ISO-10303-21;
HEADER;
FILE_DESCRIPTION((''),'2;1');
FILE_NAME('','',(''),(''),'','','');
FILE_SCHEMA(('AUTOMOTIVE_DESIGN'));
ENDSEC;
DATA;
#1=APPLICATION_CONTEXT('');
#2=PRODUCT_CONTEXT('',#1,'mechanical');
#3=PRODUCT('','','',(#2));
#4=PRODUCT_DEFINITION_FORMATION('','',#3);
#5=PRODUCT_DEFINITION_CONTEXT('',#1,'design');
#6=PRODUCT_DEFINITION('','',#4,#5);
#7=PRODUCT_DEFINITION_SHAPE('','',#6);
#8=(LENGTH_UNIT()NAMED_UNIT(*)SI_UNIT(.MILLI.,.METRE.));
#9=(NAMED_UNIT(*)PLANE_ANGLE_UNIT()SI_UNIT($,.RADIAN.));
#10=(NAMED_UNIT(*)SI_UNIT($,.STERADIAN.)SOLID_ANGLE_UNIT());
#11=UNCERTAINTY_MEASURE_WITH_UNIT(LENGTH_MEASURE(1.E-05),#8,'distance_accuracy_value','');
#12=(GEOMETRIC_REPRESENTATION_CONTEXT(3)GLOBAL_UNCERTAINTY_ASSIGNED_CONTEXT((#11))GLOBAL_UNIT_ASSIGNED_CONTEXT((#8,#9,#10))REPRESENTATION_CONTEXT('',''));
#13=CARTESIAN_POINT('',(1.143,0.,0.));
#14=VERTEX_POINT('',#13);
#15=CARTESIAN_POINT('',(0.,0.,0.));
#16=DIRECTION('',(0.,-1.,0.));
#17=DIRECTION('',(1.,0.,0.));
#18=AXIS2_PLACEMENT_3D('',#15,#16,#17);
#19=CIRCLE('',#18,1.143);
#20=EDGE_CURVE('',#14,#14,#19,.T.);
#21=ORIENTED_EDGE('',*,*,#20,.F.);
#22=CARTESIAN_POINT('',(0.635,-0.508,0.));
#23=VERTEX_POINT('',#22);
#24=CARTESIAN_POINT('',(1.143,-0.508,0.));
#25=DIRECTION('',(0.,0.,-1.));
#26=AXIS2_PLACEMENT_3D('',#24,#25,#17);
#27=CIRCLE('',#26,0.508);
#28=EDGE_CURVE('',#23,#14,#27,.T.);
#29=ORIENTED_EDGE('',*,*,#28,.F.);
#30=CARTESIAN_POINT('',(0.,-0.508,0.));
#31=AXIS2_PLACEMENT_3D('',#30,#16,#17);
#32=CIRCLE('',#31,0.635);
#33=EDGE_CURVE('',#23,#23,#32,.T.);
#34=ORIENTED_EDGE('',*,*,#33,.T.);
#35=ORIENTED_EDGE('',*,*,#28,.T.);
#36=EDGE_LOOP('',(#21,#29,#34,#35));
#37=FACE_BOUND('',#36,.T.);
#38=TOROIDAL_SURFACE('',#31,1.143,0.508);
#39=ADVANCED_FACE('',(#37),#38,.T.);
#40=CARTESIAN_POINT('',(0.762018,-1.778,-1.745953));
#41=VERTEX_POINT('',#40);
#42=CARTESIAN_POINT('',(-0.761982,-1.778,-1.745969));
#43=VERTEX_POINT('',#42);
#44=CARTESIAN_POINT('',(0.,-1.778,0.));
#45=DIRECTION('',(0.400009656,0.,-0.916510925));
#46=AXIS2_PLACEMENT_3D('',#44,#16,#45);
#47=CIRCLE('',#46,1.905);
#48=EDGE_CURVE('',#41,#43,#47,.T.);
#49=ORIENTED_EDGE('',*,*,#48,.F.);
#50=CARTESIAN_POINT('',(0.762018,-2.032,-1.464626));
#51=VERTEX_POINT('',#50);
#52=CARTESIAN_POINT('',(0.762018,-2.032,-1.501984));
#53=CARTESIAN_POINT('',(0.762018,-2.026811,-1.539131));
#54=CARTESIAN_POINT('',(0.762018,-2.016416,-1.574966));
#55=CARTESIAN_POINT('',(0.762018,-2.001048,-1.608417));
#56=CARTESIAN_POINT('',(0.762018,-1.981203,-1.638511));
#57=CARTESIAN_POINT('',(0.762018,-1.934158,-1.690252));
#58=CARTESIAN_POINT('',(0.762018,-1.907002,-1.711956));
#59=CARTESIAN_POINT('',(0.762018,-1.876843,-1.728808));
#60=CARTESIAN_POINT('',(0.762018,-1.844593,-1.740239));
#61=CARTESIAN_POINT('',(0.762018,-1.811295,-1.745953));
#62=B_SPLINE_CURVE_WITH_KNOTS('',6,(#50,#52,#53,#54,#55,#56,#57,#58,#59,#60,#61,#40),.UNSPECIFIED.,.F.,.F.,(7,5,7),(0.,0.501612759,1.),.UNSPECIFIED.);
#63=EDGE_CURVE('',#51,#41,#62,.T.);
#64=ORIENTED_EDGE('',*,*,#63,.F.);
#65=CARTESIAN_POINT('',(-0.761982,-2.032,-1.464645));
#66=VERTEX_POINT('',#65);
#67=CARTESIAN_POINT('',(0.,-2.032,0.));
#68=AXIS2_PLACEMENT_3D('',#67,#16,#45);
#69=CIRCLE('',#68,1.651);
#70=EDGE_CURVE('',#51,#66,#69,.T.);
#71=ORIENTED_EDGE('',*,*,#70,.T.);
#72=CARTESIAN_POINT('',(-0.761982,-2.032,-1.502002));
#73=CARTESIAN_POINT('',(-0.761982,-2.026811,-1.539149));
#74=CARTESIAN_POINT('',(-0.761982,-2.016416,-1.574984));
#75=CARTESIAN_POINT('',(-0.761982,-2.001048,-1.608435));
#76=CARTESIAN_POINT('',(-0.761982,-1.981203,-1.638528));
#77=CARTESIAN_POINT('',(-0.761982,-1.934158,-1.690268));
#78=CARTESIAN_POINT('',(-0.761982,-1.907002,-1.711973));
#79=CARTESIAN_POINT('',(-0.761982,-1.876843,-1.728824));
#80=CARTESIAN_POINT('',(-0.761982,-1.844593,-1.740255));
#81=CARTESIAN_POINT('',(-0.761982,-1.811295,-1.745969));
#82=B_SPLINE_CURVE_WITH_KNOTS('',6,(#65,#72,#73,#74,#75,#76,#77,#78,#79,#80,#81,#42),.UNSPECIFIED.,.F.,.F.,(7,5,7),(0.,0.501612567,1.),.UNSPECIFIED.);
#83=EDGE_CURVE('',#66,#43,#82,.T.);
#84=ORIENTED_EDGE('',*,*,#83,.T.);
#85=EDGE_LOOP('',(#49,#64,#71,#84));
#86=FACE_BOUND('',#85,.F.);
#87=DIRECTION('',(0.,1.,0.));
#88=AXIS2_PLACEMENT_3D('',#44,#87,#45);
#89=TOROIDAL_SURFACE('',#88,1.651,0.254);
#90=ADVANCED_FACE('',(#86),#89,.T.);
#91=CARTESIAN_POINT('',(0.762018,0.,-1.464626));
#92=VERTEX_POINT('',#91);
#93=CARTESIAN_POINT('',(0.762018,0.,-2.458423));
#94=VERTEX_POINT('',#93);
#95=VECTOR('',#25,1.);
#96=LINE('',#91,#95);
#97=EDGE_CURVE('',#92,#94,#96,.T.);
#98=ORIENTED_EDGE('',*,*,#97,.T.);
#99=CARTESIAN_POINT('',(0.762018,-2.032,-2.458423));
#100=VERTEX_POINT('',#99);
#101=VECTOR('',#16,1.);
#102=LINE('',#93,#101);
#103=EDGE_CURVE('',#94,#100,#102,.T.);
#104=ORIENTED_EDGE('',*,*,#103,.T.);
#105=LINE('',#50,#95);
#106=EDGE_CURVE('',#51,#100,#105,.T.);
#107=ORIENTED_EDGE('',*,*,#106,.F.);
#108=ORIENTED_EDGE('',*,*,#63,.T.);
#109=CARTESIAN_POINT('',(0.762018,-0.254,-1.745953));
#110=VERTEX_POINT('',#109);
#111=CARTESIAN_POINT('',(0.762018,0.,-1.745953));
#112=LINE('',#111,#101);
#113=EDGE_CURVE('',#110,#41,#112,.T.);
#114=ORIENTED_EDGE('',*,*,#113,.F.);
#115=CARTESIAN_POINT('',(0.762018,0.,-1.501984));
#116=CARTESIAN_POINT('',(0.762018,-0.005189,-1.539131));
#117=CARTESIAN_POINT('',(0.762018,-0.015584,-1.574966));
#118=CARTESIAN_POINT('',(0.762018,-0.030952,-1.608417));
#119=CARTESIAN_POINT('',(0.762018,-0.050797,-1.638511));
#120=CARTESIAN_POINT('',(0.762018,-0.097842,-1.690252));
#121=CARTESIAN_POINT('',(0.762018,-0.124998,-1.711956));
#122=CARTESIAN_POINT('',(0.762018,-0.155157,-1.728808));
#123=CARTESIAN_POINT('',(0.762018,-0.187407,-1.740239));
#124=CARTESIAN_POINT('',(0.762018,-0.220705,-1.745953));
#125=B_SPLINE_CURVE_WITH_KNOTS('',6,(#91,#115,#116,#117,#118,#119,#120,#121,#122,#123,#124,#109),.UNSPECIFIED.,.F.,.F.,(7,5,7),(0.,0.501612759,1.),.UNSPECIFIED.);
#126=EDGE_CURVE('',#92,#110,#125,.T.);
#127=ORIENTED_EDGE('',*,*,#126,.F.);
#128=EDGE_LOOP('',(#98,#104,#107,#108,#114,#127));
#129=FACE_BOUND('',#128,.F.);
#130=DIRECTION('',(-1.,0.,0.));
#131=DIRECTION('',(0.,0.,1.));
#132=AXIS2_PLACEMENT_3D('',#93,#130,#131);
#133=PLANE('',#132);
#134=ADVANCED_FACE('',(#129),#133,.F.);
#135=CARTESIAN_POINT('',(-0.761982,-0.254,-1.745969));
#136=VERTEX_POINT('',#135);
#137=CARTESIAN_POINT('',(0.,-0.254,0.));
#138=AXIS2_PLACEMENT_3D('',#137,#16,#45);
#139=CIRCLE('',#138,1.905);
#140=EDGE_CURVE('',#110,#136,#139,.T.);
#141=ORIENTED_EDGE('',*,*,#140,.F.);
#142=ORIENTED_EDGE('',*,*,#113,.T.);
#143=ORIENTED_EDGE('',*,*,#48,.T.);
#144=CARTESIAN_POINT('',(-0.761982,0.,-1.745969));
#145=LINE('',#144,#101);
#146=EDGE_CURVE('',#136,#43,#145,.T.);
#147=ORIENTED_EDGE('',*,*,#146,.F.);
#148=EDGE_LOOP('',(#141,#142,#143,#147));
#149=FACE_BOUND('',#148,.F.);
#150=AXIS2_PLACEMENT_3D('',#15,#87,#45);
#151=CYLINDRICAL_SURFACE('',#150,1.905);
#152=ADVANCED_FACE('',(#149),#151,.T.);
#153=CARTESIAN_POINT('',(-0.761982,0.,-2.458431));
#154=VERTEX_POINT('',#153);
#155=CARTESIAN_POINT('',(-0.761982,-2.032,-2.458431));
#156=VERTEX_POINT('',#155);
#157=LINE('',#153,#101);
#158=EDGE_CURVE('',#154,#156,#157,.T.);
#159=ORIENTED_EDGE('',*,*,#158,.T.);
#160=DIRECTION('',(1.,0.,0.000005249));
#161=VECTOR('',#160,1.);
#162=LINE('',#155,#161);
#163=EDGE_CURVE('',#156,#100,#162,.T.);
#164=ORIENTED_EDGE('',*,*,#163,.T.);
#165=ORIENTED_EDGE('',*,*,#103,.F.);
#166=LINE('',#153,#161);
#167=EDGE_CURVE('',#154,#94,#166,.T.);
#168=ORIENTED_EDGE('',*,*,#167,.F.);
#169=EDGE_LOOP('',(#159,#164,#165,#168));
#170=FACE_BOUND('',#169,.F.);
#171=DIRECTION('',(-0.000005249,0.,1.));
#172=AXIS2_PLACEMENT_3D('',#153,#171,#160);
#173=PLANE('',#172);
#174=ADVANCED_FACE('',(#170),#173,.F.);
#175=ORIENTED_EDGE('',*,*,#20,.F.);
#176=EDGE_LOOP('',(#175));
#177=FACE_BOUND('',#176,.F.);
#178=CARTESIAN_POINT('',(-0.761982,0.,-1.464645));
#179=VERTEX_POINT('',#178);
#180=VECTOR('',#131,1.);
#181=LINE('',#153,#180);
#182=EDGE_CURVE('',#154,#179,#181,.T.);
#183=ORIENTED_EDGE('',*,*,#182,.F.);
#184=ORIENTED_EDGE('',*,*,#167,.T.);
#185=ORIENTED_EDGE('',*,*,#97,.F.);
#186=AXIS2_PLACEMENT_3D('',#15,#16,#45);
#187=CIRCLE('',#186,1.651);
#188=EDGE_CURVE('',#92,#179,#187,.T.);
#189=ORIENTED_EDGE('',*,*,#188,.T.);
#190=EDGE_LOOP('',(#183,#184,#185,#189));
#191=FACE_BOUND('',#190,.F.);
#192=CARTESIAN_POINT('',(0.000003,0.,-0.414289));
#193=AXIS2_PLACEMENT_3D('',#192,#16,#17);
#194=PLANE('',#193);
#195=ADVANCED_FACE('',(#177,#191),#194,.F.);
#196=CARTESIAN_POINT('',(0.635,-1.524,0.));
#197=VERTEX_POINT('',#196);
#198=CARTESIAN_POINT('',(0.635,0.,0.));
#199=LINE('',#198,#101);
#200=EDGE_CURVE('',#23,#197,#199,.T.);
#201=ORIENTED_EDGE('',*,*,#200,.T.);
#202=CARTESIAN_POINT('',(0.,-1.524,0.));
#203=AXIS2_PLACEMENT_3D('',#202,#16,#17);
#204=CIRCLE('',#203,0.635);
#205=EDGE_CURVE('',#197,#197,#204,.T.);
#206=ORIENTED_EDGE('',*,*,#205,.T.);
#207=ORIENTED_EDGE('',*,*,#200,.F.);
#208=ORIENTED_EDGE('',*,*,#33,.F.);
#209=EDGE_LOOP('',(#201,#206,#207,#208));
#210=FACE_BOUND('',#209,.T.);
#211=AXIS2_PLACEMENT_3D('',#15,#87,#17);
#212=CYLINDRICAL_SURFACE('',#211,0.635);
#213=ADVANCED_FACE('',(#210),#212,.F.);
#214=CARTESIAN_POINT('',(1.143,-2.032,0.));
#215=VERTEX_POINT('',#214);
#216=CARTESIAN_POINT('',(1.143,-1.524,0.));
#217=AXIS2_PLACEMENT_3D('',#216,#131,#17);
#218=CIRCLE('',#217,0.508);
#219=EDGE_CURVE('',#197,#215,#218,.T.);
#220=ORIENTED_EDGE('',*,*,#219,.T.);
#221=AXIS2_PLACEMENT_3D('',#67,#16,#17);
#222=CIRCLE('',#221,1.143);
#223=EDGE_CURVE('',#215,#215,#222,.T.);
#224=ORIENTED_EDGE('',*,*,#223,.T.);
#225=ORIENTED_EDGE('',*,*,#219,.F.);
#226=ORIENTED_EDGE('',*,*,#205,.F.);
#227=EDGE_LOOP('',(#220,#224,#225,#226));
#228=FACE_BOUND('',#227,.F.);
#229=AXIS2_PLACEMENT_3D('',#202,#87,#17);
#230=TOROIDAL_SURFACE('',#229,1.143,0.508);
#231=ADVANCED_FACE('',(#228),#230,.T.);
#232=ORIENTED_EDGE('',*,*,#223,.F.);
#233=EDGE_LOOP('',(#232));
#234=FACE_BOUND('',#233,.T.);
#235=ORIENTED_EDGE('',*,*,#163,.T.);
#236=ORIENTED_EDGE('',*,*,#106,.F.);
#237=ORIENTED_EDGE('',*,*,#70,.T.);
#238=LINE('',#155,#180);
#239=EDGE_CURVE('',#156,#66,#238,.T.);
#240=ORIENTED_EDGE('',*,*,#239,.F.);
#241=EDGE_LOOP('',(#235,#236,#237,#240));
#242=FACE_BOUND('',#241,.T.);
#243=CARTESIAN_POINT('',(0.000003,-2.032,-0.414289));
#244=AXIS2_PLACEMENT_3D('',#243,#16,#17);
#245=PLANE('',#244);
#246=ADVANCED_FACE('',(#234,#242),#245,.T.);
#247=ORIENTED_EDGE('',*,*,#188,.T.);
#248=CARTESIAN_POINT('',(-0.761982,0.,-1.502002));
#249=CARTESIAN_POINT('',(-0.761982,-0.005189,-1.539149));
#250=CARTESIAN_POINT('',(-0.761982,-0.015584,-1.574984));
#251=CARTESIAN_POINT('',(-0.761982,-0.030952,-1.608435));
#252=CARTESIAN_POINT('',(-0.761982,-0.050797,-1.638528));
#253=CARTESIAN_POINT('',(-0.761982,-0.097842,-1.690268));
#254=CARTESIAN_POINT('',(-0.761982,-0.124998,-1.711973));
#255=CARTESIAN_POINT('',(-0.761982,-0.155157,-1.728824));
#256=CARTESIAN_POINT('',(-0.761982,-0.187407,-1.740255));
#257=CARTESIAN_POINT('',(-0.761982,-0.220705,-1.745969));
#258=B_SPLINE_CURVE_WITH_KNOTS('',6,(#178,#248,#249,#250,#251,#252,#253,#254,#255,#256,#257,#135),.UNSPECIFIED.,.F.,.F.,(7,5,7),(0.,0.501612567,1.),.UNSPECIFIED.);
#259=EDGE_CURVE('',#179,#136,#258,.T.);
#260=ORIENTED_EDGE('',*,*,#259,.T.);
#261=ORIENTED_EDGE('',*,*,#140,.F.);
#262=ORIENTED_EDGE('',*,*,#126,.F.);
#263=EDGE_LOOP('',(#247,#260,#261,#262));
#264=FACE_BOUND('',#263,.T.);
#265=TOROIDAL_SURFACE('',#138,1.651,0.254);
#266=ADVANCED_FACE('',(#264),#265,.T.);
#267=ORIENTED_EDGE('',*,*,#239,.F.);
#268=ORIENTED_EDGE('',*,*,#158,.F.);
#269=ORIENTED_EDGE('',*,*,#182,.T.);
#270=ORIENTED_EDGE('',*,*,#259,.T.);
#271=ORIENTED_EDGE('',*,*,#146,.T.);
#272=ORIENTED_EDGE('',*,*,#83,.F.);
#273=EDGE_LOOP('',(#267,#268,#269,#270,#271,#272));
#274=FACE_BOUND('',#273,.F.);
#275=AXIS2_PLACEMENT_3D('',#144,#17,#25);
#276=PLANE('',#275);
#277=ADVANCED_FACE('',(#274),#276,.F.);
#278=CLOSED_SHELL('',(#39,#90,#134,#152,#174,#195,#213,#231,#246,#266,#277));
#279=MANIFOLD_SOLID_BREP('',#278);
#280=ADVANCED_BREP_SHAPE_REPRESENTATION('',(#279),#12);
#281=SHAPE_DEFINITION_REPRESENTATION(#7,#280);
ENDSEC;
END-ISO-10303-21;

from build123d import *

# Parameters (mm, degrees)
F2_R     = 0.635
F0_DEPTH = 2.032
F3_R     = 0.508
F1_R     = 0.254


with BuildPart() as f0:
    # F2 (on Front) → F0 (new body)
    with BuildSketch(Plane.XZ):
        with BuildLine():
            Line((0.762018, -2.458423), (0.762018, -1.745953))
            ThreePointArc((0.762018, -1.745953), (-2e-05, 1.905), (-0.761982, -1.745969))
            Line((-0.761982, -1.745969), (-0.761982, -2.458431))
            Line((-0.761982, -2.458431), (0.762018, -2.458423))
        make_face()
        Circle(F2_R, mode=Mode.SUBTRACT)
    extrude(amount=F0_DEPTH)

    # F3
    f3_edges = [f0.edges().sort_by_distance(p)[0] for p in [
        (-0.635, 0, 0),
        (-0.635, -2.032, 0),
    ]]
    fillet(f3_edges, radius=F3_R)

    # F1
    f1_edges = [f0.edges().sort_by_distance(p)[0] for p in [
        (-2e-05, -2.032, 1.905),
        (-2e-05, 0, 1.905),
    ]]
    fillet(f1_edges, radius=F1_R)


solid = f0.part
